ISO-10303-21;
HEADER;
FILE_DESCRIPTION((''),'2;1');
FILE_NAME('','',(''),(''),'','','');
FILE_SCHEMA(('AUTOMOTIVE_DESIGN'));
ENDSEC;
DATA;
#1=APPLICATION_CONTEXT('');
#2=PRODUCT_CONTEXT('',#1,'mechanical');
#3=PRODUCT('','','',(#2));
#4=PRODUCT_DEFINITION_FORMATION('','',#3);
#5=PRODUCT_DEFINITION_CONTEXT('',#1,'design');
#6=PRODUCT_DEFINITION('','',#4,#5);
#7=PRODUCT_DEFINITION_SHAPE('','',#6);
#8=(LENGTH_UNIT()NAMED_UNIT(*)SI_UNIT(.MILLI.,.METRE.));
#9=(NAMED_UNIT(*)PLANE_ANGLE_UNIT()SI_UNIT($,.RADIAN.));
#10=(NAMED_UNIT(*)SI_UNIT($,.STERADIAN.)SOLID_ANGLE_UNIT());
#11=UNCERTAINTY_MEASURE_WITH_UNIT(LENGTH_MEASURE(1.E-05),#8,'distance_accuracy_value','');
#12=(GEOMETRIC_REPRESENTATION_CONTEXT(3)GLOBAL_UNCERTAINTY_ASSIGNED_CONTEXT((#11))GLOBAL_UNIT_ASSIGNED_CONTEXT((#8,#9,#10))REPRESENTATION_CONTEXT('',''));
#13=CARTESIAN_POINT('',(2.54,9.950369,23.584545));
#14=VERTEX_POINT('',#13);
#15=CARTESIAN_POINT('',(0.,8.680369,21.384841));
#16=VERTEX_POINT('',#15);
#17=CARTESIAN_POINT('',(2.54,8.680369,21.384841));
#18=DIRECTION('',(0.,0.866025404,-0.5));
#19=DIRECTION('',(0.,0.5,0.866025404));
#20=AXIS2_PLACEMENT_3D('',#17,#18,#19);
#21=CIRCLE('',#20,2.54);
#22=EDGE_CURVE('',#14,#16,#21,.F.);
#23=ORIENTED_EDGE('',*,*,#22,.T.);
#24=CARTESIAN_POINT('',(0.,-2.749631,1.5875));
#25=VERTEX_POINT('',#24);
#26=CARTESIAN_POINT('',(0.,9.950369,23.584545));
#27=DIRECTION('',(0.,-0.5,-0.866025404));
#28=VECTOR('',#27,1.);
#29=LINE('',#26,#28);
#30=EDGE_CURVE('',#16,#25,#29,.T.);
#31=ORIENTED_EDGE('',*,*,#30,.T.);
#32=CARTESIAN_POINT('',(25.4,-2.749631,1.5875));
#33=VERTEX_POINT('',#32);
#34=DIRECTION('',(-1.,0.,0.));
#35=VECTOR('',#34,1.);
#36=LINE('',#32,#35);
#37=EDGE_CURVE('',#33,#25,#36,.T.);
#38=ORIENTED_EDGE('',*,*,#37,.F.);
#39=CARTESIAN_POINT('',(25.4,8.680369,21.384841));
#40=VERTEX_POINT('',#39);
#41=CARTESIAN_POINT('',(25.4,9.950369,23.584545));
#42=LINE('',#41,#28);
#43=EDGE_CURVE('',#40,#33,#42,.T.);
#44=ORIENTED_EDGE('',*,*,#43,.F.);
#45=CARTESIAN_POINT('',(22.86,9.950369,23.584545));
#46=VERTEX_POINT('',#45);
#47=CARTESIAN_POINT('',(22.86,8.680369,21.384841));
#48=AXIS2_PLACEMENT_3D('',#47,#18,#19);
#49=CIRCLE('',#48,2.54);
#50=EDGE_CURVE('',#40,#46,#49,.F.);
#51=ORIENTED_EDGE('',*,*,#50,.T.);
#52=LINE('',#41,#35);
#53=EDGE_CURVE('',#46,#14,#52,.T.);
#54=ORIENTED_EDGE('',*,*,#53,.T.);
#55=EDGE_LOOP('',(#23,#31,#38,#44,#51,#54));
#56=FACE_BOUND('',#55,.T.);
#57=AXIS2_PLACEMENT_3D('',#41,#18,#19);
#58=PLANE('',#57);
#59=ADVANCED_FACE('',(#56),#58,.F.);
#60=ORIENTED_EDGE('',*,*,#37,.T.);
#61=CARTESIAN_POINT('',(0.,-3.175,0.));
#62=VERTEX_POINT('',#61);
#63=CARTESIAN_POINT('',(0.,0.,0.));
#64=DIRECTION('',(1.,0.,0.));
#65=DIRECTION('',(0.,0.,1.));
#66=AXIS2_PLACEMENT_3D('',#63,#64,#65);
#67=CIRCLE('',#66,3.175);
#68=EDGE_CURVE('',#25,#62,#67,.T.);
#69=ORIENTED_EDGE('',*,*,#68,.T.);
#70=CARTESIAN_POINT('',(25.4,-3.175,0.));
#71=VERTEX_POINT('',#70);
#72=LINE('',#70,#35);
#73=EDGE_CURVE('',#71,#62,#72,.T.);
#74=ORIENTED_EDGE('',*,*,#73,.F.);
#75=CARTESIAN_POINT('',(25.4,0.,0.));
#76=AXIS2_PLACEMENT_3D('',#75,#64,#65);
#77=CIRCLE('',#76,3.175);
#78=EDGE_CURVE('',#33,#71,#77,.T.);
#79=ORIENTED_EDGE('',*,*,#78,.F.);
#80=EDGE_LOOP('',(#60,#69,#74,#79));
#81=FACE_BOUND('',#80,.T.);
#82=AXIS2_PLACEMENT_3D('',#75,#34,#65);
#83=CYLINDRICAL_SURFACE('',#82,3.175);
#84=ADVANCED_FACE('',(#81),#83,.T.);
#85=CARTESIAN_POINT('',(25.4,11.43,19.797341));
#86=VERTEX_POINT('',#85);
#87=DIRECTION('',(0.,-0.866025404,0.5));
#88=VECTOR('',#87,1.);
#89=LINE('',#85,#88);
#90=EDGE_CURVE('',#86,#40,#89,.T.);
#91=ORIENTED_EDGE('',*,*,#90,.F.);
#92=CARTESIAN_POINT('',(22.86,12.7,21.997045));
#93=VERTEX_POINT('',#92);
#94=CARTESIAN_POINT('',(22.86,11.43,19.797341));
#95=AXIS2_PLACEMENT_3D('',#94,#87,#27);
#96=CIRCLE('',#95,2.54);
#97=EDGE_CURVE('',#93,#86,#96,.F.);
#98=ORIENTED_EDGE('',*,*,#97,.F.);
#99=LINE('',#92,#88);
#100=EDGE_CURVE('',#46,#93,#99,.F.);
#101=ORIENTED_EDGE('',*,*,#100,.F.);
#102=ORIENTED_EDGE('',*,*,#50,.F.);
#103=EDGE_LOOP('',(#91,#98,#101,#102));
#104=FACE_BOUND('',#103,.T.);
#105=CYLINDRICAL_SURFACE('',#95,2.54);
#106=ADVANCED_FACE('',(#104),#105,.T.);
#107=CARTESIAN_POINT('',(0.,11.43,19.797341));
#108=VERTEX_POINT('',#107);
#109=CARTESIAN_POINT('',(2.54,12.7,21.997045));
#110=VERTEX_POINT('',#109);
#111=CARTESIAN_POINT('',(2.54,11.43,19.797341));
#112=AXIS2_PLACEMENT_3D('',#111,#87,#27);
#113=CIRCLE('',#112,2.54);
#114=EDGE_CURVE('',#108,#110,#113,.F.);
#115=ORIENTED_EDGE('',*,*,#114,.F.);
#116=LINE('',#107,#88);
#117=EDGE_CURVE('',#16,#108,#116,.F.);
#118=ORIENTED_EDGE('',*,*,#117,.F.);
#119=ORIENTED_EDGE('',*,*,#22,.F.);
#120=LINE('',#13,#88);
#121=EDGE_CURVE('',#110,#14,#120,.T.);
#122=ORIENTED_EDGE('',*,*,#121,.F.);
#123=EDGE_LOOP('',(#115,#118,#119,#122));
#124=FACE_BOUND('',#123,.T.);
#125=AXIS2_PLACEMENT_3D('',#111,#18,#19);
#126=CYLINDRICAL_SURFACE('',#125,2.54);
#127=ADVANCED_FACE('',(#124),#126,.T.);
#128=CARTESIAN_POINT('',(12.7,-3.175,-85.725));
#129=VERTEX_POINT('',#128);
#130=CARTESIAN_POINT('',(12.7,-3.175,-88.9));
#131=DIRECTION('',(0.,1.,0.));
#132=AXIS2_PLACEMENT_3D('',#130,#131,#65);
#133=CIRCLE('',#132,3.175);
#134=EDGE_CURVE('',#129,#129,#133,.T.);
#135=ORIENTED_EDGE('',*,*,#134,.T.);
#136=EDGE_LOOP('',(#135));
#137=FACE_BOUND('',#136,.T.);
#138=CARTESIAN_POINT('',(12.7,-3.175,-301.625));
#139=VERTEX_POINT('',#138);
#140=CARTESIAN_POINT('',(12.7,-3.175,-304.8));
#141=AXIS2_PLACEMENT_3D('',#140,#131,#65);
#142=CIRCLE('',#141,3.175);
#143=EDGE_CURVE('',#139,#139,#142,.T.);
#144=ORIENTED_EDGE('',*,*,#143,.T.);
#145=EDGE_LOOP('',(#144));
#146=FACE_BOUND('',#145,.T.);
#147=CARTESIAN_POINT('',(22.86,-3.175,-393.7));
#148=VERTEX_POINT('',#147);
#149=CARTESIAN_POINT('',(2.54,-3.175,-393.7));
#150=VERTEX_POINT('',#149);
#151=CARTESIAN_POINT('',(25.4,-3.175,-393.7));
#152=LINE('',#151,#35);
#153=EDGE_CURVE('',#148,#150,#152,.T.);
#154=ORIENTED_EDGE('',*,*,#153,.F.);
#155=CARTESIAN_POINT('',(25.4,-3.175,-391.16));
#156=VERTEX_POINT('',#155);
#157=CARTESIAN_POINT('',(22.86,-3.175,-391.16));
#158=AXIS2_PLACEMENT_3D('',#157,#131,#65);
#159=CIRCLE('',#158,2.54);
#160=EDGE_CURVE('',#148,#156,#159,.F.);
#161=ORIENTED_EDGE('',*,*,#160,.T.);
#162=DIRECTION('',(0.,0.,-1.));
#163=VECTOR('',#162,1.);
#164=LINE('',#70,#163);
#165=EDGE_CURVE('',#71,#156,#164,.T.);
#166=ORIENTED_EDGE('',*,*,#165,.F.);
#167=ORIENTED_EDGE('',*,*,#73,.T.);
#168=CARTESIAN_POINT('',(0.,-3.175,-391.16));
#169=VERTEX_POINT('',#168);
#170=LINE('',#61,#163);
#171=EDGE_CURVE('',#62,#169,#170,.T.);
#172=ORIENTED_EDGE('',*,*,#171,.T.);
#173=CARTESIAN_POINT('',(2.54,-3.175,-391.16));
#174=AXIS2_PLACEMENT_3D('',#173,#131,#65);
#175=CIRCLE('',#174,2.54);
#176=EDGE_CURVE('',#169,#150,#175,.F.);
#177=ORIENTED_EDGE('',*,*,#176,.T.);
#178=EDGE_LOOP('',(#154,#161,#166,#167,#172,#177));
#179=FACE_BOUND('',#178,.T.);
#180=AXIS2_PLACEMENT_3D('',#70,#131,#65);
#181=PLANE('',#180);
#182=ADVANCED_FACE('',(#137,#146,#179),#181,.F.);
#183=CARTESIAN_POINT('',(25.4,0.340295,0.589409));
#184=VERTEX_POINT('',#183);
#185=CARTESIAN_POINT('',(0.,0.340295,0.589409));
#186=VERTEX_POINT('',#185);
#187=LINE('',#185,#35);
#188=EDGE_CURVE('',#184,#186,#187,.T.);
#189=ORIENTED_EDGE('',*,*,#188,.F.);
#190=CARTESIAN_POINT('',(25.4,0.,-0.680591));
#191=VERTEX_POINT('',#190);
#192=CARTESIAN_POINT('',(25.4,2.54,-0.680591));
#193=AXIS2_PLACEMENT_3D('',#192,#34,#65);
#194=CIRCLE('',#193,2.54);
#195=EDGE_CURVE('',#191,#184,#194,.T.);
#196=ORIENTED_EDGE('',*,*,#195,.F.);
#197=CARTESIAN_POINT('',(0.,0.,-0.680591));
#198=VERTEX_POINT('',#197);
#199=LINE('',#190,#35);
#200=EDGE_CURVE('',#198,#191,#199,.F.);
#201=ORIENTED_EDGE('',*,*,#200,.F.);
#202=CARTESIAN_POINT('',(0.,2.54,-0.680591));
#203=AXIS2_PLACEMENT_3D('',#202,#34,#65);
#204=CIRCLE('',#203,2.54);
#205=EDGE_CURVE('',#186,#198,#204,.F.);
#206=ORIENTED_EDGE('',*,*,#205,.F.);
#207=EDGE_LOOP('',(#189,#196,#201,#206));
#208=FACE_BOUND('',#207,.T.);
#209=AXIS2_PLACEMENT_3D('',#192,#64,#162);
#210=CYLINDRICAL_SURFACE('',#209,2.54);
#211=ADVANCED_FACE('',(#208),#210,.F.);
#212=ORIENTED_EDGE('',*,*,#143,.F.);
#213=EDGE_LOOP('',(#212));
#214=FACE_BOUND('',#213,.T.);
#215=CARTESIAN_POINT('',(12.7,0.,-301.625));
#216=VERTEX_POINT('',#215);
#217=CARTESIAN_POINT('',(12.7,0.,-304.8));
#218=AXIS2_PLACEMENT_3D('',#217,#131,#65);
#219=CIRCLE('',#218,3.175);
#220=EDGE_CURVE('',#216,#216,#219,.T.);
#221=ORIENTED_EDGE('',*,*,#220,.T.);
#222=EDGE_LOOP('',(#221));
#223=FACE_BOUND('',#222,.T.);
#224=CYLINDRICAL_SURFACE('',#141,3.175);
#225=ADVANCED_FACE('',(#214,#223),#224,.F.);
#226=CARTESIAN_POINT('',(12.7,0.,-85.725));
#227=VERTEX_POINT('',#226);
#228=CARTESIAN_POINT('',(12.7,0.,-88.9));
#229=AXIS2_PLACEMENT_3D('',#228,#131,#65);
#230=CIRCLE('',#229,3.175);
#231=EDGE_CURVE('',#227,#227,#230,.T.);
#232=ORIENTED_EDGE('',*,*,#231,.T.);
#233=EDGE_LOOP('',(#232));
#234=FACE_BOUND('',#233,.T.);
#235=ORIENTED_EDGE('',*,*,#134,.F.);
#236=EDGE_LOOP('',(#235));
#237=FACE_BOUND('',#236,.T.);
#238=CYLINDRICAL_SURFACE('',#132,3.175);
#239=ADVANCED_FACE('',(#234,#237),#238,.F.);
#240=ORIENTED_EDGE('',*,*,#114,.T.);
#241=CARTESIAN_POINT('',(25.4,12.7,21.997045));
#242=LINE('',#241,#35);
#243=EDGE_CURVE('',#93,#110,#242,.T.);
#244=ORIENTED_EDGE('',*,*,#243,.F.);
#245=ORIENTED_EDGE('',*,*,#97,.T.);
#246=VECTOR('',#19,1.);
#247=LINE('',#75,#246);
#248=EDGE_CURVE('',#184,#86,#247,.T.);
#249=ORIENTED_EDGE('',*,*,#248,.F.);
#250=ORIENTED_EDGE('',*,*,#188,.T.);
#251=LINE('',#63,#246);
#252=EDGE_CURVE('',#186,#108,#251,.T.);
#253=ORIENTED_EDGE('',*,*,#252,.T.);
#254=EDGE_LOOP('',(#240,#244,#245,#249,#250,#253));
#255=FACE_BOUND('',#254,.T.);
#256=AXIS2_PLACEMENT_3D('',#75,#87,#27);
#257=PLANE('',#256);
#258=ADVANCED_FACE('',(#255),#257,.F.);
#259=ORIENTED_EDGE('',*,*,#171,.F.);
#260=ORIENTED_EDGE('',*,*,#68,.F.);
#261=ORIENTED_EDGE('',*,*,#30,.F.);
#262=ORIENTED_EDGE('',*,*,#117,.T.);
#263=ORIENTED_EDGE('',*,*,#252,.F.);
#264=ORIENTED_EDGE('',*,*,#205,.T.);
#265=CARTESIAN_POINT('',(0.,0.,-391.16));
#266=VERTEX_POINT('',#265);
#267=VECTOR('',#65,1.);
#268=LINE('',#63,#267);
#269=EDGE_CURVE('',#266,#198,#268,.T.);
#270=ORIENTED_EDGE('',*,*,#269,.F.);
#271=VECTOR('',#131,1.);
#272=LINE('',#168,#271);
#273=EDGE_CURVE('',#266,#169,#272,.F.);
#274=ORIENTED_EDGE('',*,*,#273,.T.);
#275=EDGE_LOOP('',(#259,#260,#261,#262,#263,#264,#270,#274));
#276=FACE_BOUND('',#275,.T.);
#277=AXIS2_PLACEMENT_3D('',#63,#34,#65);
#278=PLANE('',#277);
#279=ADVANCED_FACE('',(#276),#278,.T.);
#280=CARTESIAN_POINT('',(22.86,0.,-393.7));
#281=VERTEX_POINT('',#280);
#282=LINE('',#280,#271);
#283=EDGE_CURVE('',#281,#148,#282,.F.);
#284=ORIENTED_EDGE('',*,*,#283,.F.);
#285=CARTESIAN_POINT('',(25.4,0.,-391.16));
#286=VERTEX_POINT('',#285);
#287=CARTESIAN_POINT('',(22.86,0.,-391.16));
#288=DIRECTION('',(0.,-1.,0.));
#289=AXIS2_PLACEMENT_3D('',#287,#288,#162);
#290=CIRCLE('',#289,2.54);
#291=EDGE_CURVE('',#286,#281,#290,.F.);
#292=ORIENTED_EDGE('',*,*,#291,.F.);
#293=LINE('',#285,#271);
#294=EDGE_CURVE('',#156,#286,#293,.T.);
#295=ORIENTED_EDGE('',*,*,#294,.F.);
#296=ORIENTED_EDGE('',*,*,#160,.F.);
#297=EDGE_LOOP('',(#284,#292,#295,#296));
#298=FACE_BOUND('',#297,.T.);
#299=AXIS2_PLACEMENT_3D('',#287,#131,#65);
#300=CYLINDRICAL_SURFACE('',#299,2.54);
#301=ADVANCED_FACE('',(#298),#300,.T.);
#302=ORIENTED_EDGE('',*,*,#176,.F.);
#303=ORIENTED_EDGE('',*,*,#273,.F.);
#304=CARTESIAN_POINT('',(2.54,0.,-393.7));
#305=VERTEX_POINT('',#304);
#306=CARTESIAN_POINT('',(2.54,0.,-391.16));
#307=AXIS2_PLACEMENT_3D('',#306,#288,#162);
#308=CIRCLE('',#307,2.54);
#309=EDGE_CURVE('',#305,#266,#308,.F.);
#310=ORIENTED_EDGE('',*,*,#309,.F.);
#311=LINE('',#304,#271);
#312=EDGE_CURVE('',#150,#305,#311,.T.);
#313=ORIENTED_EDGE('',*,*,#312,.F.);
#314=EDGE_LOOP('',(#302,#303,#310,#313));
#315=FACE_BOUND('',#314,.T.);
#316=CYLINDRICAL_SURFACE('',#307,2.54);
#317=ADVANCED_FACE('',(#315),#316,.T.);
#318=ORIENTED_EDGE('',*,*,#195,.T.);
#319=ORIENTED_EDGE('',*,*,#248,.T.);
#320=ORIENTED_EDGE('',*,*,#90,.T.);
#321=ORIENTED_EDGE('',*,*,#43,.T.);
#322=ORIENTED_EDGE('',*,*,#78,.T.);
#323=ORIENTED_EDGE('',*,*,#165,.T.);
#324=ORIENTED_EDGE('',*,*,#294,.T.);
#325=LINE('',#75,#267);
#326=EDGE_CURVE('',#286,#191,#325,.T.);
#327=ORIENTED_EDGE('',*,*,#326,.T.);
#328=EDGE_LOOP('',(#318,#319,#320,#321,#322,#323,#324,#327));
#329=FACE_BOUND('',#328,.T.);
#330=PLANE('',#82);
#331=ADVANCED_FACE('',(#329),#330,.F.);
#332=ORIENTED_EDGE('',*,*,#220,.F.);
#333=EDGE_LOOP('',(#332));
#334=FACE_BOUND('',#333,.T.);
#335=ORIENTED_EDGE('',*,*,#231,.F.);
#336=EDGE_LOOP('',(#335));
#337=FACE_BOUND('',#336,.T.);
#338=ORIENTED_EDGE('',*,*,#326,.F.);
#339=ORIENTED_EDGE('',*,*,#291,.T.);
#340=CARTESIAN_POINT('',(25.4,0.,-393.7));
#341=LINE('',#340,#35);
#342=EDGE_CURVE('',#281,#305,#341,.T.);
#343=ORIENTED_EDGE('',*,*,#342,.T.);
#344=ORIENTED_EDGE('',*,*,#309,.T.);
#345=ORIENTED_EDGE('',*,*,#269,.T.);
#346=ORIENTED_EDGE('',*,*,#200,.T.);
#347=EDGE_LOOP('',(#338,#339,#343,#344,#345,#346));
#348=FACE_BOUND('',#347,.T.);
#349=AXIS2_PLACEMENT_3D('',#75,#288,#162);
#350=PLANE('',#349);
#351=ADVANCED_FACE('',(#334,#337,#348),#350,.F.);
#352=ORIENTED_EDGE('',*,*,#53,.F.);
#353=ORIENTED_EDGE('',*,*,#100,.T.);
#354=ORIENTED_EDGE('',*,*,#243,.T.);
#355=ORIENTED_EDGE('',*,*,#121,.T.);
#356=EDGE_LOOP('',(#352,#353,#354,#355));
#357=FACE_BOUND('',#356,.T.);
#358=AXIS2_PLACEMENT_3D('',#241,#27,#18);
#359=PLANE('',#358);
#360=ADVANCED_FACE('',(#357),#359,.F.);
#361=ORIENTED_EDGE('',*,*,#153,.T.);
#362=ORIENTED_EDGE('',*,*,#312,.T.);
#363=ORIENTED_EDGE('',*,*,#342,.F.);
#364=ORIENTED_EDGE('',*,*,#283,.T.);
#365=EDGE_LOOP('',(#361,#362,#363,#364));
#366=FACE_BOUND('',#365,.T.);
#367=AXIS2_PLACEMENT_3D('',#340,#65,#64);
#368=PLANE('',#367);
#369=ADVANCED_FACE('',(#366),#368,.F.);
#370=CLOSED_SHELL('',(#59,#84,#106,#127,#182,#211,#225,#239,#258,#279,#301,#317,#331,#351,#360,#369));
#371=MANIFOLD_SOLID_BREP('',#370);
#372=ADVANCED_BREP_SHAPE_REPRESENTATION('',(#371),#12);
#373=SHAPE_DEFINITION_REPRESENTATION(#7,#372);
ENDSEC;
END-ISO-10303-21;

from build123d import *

# Parameters (mm, degrees)
BOSS_EXTRUDE1_DEPTH = 25.4
SKETCH2_R           = 3.175
CUT_EXTRUDE1_DEPTH  = 4.175
FILLET1_R           = 2.54


with BuildPart() as part:
    # Sketch1 → Boss-Extrude1 (new body)
    with BuildSketch(Plane(origin=(0, 0, 0), x_dir=(0, 0, -1), z_dir=(1, 0, 0))):
        with BuildLine():
            Line((0, 0), (-21.997045256, 12.7))
            Line((-21.997045256, 12.7), (-23.584545256, 9.950369343))
            Line((-23.584545256, 9.950369343), (-1.5875, -2.749630657))
            ThreePointArc((-1.5875, -2.749630657), (-0.821750468, -3.066814498), (0, -3.175))
            Line((0, -3.175), (393.7, -3.175))
            Line((393.7, -3.175), (393.7, 0))
            Line((393.7, 0), (0, 0))
        make_face()
    extrude(amount=BOSS_EXTRUDE1_DEPTH)

    # Sketch2 → Cut-Extrude1 (cut, through all)
    with BuildSketch(Plane(origin=(0, 0, 0), x_dir=(1, 0, 0), z_dir=(0, 1, 0))):
        with Locations((12.7, 88.9)):
            Circle(SKETCH2_R)
        with Locations((12.7, 304.8)):
            Circle(SKETCH2_R)
    extrude(amount=-CUT_EXTRUDE1_DEPTH, mode=Mode.SUBTRACT)

    # Fillet1
    fillet1_edges = [part.edges().sort_by_distance(p)[0] for p in [
        (25.4, 11.325184671, 22.790795256),
        (12.7, 0, 0),
        (25.4, -1.5875, -393.7),
        (0, -1.5875, -393.7),
        (0, 11.325184671, 22.790795256),
    ]]
    fillet(fillet1_edges, radius=FILLET1_R)


solid = part.part
